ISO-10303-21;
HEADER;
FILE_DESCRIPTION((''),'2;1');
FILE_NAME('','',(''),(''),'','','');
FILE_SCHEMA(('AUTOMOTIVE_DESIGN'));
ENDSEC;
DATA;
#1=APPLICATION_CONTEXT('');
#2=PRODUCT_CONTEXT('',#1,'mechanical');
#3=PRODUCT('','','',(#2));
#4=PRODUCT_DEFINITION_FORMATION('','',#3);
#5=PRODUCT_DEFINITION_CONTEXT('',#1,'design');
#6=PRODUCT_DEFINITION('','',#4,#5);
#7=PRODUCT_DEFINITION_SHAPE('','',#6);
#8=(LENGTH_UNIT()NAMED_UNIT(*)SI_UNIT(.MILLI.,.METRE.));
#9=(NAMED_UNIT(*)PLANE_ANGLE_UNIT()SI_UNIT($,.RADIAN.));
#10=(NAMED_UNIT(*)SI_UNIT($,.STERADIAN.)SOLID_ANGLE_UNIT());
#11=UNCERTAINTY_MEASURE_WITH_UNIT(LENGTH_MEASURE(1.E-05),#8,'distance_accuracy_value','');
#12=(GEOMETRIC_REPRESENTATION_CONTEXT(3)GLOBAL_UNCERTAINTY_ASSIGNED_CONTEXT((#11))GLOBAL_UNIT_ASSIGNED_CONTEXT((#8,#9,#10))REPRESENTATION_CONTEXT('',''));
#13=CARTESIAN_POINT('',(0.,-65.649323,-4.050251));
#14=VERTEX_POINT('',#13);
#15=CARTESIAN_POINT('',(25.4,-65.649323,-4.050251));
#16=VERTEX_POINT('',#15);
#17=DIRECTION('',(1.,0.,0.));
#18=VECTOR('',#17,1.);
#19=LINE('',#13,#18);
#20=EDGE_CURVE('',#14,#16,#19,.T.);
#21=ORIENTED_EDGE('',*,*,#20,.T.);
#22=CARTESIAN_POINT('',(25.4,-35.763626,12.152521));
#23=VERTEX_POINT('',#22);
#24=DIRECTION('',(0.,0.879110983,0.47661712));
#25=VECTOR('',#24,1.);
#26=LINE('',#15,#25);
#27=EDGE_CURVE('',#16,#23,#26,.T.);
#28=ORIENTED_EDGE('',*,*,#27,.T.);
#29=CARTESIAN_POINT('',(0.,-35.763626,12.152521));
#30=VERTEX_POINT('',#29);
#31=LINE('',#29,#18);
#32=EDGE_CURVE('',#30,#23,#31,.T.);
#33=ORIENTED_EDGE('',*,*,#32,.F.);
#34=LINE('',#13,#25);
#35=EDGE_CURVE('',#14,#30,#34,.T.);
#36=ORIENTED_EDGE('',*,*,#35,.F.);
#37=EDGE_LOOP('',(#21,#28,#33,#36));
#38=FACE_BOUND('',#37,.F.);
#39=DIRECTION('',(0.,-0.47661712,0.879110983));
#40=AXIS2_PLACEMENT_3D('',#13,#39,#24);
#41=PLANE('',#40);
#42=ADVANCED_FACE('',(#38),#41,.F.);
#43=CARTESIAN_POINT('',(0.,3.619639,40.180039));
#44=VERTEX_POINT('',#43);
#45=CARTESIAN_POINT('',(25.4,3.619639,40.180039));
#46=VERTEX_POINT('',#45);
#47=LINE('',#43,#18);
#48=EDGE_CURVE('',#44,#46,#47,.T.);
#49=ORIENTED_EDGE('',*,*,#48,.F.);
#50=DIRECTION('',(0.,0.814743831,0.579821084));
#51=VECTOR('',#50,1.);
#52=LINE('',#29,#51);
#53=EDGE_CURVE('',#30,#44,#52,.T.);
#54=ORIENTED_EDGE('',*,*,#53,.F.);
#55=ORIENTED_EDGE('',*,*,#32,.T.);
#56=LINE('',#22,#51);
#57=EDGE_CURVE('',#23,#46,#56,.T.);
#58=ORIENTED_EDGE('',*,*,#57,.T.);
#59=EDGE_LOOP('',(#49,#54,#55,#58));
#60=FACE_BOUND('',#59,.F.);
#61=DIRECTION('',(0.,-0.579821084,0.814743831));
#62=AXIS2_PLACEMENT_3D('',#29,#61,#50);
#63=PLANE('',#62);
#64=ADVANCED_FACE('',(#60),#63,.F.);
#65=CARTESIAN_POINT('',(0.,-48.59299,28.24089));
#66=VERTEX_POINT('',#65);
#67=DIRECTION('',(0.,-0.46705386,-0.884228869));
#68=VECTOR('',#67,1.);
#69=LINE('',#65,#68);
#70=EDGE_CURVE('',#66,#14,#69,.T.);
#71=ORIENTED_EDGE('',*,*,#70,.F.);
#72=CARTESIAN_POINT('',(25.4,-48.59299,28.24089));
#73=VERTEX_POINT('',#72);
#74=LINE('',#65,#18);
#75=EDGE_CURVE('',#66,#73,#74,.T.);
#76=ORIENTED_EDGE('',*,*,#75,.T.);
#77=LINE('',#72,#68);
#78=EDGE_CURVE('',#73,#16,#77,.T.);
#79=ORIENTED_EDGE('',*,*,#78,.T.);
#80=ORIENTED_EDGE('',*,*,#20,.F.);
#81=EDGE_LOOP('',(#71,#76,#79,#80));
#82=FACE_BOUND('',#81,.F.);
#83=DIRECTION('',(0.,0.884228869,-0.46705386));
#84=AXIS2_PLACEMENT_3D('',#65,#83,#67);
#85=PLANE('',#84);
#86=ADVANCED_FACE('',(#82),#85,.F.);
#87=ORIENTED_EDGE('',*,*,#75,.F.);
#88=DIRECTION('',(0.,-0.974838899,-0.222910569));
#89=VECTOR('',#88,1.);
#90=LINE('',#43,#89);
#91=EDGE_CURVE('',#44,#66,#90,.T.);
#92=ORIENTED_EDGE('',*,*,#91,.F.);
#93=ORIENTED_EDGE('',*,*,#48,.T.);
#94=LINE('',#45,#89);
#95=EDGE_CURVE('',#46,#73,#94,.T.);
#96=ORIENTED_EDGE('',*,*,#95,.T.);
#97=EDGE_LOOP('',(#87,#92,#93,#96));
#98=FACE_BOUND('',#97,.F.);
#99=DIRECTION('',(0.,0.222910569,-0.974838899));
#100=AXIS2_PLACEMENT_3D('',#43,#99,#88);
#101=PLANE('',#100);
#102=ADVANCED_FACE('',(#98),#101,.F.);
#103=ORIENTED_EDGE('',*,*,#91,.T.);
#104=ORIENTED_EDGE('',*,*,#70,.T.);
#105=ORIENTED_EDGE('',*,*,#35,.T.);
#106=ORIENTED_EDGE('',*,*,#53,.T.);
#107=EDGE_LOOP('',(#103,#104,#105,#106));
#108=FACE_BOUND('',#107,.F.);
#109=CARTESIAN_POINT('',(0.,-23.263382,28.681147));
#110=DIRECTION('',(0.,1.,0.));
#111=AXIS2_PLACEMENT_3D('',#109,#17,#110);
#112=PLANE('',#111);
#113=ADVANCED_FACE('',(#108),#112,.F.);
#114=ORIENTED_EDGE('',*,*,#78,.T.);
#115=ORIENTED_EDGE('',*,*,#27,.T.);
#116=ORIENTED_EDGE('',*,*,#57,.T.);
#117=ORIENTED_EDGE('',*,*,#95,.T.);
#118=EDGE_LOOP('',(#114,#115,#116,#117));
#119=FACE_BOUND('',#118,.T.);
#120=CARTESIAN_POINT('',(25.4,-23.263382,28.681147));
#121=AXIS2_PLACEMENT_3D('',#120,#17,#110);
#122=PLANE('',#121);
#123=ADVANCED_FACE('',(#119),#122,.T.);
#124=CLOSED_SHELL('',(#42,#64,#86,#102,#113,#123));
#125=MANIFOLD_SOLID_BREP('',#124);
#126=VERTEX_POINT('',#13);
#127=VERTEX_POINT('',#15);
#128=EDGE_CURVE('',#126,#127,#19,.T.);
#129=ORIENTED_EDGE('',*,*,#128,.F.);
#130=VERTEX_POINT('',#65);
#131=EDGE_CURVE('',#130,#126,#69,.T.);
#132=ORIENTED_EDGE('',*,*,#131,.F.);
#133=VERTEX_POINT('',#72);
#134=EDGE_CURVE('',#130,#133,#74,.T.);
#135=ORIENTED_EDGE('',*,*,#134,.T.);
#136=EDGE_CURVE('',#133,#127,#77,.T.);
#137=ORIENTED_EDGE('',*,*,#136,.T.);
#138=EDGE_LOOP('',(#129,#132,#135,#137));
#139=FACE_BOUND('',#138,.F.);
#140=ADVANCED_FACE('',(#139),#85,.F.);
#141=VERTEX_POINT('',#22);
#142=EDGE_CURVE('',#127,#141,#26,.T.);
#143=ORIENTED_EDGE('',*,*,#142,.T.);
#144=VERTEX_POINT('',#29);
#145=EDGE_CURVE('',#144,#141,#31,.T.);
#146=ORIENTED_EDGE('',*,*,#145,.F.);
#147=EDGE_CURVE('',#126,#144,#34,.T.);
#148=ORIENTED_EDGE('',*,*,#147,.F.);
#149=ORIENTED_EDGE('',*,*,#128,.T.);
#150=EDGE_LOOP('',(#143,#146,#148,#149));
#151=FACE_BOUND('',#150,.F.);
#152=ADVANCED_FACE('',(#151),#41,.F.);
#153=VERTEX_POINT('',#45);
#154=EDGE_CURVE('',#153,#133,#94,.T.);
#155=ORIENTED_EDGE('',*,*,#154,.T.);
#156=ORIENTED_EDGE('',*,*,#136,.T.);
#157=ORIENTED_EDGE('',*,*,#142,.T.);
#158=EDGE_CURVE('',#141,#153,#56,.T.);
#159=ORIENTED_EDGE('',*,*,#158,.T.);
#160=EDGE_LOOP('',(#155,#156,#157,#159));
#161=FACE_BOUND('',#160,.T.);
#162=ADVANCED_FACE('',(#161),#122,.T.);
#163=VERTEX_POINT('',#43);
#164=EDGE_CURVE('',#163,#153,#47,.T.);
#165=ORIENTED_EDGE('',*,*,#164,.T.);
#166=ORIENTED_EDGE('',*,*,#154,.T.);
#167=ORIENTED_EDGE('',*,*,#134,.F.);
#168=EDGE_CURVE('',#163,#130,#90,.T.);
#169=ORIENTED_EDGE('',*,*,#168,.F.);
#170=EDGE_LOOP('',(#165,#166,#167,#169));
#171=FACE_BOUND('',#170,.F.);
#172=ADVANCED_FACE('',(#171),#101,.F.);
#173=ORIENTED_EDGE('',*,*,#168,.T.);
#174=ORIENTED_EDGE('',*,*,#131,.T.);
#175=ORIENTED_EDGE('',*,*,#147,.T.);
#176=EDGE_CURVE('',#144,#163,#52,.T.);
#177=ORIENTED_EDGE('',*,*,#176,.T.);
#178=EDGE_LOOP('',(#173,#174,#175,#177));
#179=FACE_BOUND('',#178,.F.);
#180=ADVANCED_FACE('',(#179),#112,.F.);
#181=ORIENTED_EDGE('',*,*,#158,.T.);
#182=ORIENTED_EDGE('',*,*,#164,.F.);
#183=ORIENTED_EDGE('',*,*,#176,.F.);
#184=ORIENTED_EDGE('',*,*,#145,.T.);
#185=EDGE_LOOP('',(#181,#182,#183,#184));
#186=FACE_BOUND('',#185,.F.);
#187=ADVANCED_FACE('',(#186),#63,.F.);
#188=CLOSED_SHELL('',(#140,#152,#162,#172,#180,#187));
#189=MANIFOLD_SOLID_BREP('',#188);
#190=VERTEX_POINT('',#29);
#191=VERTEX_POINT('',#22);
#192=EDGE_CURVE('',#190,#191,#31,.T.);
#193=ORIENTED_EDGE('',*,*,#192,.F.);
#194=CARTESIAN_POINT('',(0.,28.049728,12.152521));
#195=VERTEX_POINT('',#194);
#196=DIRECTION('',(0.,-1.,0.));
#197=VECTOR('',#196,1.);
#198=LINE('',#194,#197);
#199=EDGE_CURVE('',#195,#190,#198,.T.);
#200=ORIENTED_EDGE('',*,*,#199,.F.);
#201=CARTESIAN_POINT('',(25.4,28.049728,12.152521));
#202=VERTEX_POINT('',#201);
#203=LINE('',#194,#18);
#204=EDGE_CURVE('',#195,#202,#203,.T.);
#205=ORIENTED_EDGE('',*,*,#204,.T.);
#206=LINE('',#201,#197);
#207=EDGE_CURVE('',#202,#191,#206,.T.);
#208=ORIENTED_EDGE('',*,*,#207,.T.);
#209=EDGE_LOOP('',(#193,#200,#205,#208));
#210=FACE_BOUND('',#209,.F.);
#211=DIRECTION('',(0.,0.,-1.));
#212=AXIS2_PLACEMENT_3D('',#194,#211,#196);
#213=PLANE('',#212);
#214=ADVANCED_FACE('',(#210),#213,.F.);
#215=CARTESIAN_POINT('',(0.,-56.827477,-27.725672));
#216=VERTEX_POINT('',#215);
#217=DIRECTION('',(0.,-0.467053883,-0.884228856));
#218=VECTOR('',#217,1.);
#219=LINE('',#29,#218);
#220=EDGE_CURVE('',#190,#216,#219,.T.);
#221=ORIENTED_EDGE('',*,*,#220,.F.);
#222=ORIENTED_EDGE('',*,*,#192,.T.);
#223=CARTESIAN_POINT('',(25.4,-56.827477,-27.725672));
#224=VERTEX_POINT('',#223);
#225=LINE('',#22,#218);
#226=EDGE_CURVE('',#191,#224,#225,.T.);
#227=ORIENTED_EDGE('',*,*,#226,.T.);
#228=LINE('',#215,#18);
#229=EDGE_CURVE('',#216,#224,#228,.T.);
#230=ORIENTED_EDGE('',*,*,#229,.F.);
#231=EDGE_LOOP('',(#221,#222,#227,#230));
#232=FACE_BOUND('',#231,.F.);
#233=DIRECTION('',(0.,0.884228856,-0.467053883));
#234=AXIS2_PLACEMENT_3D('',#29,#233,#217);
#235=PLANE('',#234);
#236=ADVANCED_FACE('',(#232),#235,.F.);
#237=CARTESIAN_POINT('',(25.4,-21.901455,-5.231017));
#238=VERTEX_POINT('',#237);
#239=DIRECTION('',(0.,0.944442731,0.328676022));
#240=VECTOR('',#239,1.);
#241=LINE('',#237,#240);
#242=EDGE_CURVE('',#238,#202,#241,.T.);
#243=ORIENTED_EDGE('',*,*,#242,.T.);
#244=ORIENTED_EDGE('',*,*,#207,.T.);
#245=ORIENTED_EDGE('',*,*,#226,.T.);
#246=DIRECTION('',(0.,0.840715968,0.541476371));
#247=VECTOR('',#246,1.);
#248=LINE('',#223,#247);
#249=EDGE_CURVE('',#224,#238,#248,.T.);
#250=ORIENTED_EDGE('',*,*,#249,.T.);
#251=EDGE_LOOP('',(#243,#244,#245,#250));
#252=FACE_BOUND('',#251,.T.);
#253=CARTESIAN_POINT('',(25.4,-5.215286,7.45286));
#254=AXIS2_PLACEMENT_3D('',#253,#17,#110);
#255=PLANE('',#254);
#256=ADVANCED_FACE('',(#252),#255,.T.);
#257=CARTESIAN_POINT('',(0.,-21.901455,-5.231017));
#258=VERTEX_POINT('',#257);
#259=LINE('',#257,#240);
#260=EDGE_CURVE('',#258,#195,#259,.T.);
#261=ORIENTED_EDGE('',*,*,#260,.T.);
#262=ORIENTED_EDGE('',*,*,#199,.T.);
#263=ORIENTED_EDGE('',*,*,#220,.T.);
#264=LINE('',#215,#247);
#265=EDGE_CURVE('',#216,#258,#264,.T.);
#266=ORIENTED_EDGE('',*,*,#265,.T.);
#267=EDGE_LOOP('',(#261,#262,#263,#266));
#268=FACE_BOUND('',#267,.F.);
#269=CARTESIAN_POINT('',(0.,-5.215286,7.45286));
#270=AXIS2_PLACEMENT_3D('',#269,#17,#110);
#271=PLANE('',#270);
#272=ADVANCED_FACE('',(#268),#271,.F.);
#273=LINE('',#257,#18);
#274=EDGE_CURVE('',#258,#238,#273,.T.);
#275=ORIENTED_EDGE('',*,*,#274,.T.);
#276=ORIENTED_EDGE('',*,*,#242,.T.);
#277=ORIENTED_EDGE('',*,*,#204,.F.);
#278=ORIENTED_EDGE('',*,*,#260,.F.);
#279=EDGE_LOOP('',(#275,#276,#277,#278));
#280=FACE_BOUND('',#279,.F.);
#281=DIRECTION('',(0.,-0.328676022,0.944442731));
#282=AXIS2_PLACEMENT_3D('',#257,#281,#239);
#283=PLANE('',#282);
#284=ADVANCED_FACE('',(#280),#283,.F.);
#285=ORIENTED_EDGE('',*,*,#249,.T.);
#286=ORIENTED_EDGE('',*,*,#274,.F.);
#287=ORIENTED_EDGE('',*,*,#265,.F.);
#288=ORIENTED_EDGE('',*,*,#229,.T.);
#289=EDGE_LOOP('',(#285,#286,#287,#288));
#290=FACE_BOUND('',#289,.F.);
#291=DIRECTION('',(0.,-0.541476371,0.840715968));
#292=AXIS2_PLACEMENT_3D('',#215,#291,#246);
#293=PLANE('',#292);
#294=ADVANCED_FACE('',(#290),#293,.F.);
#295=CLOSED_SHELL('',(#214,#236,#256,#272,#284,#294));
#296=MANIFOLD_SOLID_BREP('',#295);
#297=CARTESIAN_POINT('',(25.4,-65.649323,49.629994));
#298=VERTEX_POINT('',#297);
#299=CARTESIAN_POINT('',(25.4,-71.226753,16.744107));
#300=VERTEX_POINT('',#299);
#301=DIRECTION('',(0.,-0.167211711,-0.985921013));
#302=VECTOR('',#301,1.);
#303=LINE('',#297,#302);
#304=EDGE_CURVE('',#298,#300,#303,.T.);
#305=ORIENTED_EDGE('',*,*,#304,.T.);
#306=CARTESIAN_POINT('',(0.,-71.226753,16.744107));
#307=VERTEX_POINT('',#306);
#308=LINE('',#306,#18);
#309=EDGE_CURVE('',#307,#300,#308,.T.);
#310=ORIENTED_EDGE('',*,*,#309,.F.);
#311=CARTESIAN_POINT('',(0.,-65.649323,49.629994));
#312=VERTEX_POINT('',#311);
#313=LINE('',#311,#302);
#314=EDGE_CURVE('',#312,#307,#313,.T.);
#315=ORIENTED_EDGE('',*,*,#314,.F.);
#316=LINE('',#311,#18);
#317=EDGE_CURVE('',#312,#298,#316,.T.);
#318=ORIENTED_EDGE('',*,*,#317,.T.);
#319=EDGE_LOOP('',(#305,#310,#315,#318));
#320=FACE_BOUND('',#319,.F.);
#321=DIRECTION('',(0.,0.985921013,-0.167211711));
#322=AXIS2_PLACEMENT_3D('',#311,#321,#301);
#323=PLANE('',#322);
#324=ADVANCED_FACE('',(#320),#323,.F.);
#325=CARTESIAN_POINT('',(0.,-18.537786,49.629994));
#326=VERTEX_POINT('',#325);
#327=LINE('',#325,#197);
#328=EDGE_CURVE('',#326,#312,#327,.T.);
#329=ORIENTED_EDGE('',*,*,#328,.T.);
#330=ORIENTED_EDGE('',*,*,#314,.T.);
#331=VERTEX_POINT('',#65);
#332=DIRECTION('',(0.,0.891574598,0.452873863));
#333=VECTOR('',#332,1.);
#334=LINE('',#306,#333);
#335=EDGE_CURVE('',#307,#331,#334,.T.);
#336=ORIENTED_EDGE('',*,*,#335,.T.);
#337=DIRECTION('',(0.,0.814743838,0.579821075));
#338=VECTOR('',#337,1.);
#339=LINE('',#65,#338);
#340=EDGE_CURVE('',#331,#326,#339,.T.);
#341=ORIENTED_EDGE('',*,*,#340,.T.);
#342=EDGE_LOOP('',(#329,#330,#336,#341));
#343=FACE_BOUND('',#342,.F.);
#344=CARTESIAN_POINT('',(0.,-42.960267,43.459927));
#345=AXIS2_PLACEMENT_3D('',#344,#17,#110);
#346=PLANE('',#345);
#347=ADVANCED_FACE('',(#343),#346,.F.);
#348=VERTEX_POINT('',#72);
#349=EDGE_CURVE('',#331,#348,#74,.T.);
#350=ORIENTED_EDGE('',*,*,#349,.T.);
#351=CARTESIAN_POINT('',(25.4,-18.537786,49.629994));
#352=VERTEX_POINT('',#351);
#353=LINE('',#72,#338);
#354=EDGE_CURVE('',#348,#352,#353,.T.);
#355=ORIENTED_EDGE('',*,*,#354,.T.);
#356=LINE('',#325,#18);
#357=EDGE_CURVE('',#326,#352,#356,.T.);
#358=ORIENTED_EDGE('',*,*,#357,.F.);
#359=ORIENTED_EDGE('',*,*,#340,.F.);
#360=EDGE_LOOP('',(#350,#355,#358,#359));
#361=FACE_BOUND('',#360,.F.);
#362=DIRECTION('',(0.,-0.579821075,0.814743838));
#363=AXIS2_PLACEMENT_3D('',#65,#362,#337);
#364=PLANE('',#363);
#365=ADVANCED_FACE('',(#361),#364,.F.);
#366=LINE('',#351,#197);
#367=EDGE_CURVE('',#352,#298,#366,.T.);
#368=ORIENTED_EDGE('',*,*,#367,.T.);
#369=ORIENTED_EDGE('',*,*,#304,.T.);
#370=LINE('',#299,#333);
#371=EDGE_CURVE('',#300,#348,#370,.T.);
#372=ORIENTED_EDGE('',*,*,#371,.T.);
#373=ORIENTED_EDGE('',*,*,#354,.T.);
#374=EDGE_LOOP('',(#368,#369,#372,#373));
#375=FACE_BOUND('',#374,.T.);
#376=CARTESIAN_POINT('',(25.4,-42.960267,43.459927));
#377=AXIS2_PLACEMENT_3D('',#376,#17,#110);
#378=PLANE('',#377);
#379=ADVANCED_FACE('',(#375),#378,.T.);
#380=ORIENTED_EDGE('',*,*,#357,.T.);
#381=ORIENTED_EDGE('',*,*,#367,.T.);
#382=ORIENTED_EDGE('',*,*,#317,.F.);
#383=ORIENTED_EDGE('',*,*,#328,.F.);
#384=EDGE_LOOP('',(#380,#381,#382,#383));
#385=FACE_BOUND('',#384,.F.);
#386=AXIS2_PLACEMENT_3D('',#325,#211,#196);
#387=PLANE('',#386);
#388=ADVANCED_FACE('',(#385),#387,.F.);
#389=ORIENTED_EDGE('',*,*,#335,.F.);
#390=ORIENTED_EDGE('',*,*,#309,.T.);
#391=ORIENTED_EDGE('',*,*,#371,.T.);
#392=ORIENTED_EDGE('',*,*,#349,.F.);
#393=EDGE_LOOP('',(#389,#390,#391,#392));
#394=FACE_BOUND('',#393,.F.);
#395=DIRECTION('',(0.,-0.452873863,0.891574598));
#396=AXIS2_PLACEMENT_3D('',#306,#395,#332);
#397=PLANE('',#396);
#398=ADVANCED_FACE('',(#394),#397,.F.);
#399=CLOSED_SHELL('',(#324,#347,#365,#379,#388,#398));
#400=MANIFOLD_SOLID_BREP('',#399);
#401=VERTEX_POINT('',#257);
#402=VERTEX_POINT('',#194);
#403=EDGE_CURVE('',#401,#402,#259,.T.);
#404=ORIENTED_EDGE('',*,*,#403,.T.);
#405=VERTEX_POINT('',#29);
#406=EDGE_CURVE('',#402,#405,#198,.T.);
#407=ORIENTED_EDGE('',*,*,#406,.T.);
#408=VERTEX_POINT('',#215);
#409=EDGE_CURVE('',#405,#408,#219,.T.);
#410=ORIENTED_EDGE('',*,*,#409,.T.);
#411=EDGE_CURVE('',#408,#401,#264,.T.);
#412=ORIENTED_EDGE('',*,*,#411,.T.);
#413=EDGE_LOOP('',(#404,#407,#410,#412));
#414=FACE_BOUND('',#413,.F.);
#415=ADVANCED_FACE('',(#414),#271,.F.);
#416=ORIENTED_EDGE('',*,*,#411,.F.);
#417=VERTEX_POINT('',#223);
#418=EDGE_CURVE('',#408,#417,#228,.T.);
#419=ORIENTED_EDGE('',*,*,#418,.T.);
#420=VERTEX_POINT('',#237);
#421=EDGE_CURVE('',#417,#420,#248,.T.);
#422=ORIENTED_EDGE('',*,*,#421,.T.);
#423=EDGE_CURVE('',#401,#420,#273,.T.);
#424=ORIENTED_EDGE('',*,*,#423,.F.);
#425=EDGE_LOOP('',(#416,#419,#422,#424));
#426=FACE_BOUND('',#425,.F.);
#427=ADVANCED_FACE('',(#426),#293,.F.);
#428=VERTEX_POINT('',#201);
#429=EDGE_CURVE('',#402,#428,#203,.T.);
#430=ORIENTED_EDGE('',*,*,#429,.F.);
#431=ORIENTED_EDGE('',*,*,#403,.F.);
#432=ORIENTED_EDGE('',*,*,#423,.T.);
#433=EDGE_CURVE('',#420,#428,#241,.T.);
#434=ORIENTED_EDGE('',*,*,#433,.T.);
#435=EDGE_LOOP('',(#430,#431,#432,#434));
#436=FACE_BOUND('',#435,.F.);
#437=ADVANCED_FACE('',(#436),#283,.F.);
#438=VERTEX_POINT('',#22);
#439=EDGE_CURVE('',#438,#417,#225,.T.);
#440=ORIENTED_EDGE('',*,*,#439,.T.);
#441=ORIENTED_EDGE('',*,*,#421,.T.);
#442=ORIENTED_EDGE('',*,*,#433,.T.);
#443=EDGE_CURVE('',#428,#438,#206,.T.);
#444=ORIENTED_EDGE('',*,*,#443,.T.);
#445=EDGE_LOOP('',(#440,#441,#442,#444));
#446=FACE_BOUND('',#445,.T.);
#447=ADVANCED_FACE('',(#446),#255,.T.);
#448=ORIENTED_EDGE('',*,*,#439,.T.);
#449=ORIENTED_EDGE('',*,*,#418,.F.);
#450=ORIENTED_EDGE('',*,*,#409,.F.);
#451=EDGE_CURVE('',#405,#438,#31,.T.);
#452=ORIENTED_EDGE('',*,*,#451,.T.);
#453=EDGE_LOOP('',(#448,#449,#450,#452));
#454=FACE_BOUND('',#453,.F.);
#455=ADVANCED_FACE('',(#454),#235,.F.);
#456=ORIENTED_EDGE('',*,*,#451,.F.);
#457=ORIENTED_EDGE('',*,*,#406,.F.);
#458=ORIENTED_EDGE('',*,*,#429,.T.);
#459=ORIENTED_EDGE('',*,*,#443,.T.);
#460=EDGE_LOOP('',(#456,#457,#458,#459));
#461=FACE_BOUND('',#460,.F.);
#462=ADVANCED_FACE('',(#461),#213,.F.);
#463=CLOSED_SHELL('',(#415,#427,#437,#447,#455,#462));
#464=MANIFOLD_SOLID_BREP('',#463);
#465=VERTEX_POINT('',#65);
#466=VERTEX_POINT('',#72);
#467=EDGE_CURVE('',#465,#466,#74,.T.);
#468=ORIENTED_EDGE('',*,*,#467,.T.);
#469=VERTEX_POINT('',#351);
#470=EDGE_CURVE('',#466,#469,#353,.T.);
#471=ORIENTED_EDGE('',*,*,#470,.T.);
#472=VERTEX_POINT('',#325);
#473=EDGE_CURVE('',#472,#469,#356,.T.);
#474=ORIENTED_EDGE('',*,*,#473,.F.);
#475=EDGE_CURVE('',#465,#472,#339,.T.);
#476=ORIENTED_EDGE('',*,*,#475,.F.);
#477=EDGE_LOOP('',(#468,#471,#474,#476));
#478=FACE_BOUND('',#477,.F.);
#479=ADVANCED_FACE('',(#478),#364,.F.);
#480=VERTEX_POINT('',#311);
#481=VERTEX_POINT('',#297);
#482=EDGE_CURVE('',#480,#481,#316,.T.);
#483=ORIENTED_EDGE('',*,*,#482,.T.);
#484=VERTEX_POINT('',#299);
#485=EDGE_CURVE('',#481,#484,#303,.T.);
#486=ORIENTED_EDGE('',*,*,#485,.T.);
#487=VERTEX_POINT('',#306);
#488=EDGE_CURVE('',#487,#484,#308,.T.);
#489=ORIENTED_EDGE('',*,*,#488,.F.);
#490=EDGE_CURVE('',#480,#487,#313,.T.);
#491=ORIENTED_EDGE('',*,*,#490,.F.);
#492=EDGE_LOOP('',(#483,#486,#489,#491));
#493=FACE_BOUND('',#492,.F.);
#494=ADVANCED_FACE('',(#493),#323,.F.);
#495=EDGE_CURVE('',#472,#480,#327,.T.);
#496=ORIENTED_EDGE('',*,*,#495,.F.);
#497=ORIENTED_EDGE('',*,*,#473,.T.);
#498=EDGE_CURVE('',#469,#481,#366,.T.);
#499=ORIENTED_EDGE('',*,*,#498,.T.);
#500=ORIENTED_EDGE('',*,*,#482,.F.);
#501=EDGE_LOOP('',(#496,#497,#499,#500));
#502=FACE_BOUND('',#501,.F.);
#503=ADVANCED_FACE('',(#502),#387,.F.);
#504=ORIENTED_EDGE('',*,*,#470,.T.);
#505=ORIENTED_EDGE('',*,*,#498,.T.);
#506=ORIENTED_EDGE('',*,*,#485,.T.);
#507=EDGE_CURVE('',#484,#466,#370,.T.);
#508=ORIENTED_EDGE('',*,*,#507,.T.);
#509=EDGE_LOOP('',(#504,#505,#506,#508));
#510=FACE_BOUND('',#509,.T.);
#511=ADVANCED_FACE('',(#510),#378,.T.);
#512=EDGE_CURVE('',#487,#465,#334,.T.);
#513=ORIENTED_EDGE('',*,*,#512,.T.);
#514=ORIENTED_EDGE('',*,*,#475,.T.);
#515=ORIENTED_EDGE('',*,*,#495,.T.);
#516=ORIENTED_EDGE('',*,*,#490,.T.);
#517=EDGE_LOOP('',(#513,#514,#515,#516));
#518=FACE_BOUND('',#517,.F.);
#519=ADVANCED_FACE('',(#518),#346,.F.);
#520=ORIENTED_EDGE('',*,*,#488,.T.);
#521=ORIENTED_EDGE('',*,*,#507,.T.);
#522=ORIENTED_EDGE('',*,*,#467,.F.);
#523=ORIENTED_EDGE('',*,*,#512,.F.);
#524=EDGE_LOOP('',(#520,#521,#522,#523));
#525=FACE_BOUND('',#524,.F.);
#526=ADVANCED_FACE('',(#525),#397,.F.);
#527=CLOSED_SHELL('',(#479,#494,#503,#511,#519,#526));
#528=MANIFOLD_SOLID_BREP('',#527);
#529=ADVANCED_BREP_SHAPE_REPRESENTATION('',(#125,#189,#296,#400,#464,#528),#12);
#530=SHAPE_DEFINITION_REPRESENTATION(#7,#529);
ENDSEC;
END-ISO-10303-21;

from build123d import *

# Parameters (mm, degrees)
F1_DEPTH = 25.4
F2_DEPTH = 25.4


with BuildPart() as f1:
    # F0 (on Right) → F1 (new body)
    with BuildSketch(Plane.YZ):
        Polygon((-18.537786, 49.629994), (-65.649323, 49.629994), (-48.59299, 28.24089), align=None)
        Polygon((28.049728, 12.152521), (-35.763626, 12.152521), (-21.901455, -5.231017), align=None)
        Polygon((-21.901455, -5.231017), (-35.763626, 12.152521), (-56.827477, -27.725672), align=None)
        Polygon((3.619639, 40.180039), (-48.59299, 28.24089), (-35.763626, 12.152521), align=None)
        Polygon((-35.763626, 12.152521), (-48.59299, 28.24089), (-65.649323, -4.050251), align=None)
        Polygon((-48.59299, 28.24089), (-65.649323, 49.629994), (-71.226753, 16.744107), align=None)
    extrude(amount=F1_DEPTH)


with BuildPart() as f2:
    # F0 (on Right) → F2 (new body)
    with BuildSketch(Plane.YZ):
        Polygon((-18.537786, 49.629994), (-65.649323, 49.629994), (-48.59299, 28.24089), align=None)
        Polygon((28.049728, 12.152521), (-35.763626, 12.152521), (-21.901455, -5.231017), align=None)
        Polygon((-21.901455, -5.231017), (-35.763626, 12.152521), (-56.827477, -27.725672), align=None)
        Polygon((3.619639, 40.180039), (-48.59299, 28.24089), (-35.763626, 12.152521), align=None)
        Polygon((-35.763626, 12.152521), (-48.59299, 28.24089), (-65.649323, -4.050251), align=None)
        Polygon((-48.59299, 28.24089), (-65.649323, 49.629994), (-71.226753, 16.744107), align=None)
    extrude(amount=F2_DEPTH)


solid = Compound([f1.part, f2.part])
